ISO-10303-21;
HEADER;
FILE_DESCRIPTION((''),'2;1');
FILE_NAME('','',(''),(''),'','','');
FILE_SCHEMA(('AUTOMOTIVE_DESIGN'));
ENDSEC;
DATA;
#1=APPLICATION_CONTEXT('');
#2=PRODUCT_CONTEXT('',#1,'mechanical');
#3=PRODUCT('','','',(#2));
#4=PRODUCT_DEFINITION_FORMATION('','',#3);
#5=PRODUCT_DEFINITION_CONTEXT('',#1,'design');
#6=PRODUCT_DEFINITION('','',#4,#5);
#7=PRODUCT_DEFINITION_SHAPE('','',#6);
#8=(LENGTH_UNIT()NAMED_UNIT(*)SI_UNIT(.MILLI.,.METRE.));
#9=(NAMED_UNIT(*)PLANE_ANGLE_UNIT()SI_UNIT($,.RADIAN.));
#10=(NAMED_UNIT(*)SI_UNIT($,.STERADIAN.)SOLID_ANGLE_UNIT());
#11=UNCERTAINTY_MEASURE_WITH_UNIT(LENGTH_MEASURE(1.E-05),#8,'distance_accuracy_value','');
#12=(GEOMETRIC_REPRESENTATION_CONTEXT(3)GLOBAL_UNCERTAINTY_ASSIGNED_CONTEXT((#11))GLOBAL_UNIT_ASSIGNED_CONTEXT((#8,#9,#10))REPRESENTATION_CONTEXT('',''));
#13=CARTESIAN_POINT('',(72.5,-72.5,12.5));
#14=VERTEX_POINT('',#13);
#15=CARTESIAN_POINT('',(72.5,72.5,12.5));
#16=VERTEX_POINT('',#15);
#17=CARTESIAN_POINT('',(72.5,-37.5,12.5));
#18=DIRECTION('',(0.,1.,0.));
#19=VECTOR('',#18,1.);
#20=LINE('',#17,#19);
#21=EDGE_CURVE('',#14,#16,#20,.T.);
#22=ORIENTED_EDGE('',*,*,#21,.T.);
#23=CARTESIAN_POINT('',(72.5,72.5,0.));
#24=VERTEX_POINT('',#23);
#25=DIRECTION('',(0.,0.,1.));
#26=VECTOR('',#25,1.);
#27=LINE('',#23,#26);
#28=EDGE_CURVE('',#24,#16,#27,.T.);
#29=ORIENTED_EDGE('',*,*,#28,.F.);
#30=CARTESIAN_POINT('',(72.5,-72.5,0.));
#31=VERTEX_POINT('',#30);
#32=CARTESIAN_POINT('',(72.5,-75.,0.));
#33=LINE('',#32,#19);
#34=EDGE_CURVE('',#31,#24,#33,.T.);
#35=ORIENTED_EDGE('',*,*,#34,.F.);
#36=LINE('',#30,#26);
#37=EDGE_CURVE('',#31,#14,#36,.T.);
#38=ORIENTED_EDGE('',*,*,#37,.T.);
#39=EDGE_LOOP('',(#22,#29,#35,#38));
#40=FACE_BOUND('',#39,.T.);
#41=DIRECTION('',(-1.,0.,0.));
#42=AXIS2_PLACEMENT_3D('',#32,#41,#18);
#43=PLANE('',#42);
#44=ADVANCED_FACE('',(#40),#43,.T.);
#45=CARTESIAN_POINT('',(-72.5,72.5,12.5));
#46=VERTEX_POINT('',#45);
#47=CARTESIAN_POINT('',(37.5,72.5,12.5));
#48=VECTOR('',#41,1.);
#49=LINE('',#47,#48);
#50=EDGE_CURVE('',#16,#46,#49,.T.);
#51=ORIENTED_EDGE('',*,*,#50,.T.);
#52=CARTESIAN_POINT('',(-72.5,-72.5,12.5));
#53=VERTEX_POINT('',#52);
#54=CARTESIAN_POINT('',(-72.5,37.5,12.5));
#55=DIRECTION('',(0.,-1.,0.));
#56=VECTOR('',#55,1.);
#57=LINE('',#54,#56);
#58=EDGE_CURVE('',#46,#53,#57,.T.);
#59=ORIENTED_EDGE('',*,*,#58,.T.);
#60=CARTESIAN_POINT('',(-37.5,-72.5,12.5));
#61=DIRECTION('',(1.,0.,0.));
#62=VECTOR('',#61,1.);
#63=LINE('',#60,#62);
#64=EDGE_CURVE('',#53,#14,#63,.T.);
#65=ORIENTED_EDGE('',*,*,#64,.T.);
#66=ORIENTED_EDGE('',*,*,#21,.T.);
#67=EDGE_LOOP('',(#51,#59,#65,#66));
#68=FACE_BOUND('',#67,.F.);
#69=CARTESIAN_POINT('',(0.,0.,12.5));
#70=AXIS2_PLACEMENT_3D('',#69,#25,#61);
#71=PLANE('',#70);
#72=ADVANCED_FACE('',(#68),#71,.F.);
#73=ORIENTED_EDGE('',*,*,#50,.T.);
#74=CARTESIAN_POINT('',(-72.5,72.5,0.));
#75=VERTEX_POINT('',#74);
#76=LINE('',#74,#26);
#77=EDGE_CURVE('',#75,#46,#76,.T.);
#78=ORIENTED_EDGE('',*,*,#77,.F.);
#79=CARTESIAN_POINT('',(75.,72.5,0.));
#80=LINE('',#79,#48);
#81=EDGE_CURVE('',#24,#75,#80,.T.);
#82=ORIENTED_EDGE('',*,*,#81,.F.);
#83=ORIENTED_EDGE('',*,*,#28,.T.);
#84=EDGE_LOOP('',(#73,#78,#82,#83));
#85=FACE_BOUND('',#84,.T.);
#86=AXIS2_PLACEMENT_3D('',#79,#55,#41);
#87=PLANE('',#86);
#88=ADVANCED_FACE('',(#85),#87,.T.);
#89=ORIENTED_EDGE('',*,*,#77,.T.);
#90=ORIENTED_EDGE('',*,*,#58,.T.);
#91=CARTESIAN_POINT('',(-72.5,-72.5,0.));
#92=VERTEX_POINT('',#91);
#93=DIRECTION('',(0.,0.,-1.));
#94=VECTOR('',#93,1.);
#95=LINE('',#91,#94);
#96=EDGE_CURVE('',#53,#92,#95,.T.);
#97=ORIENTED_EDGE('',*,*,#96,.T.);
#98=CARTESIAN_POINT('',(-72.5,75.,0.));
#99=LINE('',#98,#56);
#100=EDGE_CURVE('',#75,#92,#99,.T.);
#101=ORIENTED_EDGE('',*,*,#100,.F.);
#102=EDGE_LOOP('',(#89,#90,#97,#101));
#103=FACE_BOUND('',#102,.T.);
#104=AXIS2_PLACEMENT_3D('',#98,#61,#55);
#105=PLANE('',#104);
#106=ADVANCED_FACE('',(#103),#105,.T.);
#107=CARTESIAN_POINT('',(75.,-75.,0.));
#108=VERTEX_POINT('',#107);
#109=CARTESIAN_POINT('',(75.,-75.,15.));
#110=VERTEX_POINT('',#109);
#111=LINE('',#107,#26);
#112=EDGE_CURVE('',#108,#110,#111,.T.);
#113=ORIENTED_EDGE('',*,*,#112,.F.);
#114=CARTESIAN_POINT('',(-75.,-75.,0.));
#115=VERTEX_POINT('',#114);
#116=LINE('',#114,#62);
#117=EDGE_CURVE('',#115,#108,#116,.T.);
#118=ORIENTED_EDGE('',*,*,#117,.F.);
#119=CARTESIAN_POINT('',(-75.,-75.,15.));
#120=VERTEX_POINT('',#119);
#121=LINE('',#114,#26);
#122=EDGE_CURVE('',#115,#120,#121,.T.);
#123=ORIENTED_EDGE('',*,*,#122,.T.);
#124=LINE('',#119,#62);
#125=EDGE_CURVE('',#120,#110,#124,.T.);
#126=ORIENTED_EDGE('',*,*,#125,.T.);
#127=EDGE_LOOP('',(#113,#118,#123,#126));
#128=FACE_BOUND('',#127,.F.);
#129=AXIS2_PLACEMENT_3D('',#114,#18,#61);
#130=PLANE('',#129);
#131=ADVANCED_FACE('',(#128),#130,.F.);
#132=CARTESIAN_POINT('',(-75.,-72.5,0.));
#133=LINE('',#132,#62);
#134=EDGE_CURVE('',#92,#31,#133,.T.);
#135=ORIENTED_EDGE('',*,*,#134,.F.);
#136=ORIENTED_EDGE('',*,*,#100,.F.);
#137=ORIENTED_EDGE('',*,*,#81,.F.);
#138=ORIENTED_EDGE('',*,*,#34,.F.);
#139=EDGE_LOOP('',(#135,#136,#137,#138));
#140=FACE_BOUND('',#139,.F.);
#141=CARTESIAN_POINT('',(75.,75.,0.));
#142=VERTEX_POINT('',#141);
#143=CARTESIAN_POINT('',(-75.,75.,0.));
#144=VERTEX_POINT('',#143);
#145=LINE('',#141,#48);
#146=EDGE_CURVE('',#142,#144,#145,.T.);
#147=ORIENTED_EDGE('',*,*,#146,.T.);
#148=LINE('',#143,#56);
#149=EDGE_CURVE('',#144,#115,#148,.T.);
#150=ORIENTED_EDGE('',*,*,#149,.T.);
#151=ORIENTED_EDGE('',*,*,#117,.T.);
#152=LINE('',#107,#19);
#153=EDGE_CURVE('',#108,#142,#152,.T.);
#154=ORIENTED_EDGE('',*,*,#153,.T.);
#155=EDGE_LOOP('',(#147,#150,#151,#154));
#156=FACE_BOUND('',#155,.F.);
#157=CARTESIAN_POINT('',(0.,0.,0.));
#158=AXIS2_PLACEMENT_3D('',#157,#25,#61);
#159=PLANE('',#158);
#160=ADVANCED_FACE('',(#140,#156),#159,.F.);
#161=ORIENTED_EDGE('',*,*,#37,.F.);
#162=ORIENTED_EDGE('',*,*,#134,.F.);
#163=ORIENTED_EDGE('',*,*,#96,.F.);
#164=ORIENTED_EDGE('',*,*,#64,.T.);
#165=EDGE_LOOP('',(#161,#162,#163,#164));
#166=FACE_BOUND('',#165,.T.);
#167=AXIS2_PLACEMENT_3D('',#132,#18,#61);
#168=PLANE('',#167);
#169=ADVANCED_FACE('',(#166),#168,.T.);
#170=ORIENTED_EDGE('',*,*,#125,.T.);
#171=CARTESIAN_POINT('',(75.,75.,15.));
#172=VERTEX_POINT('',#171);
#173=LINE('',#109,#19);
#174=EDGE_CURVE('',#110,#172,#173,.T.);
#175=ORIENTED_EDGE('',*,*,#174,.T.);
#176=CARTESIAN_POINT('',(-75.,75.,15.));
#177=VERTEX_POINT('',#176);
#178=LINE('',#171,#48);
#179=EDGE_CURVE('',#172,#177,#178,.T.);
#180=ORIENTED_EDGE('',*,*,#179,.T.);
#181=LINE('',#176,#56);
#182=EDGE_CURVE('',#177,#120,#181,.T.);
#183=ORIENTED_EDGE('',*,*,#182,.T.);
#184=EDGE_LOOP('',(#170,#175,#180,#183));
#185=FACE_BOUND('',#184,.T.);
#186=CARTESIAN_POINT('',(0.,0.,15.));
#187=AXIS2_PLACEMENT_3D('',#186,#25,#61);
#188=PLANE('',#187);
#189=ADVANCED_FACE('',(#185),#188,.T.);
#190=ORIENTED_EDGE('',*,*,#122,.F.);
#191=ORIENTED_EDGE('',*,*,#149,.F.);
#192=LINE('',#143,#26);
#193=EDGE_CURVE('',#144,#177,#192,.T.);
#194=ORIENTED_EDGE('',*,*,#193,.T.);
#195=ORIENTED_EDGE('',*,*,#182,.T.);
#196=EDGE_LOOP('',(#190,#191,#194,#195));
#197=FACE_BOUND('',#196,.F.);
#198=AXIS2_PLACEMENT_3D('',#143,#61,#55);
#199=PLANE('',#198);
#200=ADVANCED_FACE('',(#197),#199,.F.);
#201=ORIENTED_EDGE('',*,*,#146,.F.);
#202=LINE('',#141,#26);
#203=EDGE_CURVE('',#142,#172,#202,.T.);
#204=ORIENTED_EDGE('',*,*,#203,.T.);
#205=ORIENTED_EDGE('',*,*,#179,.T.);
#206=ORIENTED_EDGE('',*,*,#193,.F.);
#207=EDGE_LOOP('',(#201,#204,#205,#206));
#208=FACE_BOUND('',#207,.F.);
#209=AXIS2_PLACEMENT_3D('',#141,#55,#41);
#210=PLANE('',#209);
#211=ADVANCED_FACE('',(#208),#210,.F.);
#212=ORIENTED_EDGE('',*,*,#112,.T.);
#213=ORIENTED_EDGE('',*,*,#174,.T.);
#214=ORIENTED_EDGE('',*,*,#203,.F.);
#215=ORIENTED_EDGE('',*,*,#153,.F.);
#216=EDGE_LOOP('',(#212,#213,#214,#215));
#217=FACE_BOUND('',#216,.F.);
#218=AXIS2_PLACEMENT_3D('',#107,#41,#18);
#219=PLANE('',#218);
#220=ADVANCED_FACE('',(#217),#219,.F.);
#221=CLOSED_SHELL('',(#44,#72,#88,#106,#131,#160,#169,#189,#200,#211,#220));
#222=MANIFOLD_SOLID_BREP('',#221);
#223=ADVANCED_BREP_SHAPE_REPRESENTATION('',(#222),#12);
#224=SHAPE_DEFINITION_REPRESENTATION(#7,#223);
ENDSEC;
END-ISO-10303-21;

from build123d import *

# Parameters (mm, degrees)
F1_DEPTH = 15
F2_T     = -2.5


with BuildPart() as f1:
    # F0 (on Top) → F1 (new body)
    with BuildSketch(Plane.XY):
        Polygon((-75, -75), (0, -75), (75, -75), (75, 0), (75, 75), (0, 75), (-75, 75), (-75, 0), align=None)
    extrude(amount=F1_DEPTH)

    # F2
    f2_openings = [f1.faces().sort_by_distance(p)[0] for p in [
        (0, 0, 0),
    ]]
    offset(amount=F2_T, openings=f2_openings)


solid = f1.part
